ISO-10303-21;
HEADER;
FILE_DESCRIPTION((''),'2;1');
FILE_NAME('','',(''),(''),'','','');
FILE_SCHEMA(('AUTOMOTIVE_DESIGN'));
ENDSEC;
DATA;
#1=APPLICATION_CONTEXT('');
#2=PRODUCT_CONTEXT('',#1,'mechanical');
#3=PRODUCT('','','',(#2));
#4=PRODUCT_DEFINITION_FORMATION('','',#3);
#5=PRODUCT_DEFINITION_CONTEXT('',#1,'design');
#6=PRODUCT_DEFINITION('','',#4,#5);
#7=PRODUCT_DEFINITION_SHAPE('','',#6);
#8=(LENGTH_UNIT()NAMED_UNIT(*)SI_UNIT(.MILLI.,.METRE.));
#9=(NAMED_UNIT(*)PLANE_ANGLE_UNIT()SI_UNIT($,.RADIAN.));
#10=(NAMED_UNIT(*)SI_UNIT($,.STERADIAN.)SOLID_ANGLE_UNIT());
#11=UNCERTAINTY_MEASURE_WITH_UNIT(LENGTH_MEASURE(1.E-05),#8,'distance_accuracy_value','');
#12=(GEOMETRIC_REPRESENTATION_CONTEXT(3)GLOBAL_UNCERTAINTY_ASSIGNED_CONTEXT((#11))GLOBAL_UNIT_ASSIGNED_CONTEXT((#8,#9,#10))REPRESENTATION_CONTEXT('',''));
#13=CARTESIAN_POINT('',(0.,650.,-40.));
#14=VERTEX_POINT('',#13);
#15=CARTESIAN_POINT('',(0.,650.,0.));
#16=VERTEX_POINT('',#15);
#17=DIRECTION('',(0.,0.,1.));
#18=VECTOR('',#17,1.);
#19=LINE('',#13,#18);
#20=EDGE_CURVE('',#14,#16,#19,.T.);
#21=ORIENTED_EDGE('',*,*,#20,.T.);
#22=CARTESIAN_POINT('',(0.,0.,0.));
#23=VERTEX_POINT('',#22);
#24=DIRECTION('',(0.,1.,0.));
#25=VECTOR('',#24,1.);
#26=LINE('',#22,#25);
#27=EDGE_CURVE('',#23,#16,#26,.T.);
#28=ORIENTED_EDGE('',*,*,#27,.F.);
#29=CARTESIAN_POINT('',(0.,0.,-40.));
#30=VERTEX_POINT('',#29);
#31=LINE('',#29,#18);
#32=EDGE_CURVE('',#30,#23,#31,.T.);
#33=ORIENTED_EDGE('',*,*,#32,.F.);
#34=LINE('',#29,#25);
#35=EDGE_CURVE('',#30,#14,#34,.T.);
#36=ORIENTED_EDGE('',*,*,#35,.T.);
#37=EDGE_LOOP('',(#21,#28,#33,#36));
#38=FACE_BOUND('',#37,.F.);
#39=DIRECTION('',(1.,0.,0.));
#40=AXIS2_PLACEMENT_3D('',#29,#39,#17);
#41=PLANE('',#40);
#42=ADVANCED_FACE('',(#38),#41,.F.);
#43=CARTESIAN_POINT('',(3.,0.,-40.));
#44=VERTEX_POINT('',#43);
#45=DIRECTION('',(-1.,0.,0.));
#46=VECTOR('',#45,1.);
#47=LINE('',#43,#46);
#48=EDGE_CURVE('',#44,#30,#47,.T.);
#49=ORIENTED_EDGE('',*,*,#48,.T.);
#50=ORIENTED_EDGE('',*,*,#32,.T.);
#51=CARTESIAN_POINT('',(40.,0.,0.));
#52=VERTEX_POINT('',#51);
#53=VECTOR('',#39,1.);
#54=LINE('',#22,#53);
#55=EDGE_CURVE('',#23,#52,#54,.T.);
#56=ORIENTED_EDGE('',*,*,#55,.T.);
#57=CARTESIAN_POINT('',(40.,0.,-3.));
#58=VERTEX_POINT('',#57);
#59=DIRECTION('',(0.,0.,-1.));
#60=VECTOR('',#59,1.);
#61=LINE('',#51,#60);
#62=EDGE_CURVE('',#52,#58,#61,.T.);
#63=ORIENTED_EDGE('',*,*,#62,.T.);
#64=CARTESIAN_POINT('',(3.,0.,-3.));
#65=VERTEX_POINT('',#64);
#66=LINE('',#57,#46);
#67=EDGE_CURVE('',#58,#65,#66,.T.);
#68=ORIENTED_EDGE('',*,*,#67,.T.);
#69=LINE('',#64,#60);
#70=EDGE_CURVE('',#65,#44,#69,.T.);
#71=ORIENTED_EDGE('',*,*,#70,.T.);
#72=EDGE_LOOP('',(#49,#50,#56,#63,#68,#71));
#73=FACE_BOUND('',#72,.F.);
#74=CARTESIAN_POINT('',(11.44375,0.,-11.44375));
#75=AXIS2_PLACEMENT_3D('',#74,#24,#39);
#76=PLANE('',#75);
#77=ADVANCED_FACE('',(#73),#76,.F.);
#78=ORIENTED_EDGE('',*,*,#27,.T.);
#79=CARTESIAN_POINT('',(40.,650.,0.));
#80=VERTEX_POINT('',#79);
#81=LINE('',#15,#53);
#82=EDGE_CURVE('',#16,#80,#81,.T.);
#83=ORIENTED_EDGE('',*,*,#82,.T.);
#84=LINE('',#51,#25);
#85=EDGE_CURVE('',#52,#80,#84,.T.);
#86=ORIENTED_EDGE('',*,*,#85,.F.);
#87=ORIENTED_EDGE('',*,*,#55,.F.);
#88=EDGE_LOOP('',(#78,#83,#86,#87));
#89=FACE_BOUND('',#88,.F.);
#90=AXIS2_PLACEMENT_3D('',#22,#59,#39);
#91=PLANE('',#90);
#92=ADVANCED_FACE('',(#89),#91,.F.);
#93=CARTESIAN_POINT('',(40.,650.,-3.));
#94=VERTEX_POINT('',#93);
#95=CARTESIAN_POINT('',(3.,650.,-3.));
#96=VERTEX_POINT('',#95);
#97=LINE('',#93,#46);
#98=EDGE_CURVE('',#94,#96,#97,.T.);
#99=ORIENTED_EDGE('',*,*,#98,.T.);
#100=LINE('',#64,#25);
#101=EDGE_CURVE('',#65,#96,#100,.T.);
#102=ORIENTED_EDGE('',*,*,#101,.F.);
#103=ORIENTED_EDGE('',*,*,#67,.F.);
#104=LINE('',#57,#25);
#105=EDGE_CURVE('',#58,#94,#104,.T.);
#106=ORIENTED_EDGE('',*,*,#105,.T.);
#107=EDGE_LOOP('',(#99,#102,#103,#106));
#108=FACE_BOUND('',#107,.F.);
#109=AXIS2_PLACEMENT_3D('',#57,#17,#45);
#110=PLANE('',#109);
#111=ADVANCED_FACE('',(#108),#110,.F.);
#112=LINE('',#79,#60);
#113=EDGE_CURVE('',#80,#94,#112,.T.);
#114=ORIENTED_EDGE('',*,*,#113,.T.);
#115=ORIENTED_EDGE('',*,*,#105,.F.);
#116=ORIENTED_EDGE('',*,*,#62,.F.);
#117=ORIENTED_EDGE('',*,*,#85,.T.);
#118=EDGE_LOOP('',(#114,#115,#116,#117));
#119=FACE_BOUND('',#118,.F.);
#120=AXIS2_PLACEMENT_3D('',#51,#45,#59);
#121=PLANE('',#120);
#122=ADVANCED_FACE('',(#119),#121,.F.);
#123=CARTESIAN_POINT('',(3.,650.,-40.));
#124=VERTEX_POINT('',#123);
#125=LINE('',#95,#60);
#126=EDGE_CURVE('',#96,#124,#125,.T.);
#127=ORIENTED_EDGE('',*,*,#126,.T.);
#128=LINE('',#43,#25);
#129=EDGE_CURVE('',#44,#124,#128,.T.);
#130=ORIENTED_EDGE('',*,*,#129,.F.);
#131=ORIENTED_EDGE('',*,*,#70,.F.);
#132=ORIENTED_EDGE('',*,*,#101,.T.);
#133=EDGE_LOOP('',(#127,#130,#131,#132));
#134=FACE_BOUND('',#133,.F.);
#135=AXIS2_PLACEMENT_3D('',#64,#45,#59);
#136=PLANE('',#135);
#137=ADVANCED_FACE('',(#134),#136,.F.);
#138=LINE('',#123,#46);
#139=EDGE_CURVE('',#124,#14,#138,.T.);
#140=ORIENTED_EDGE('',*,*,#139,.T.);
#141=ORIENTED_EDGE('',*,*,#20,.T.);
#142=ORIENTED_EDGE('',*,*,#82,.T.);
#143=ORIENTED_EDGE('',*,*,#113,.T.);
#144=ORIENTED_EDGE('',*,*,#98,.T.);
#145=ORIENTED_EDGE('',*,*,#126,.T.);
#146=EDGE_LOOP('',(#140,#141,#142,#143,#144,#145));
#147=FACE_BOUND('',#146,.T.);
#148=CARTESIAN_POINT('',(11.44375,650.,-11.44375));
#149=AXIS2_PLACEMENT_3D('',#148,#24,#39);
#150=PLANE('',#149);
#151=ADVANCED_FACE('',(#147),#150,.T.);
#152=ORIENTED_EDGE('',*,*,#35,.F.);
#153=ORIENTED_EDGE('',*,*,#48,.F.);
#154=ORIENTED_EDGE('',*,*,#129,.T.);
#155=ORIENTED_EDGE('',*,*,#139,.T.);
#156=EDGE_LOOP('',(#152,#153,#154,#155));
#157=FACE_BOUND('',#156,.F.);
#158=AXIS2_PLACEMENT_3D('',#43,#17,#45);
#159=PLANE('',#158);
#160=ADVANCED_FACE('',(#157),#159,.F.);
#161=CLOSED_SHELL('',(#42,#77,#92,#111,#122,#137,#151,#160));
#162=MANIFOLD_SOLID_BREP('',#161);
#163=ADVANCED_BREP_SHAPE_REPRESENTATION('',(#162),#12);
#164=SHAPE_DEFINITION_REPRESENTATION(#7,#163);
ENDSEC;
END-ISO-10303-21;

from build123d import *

# Parameters (mm, degrees)
EXTRUDE_1_DEPTH = 650


with BuildPart() as part:
    # Эскиз1 → Вытянуть-Тонкостенный1 (new body)
    with BuildSketch(Plane(origin=(0, 0, 0), x_dir=(1, 0, 0), z_dir=(0, 1, 0))):
        Polygon((0, 40), (0, 0), (40, 0), (40, 3), (3, 3), (3, 40), align=None)
    extrude(amount=EXTRUDE_1_DEPTH)


solid = part.part
